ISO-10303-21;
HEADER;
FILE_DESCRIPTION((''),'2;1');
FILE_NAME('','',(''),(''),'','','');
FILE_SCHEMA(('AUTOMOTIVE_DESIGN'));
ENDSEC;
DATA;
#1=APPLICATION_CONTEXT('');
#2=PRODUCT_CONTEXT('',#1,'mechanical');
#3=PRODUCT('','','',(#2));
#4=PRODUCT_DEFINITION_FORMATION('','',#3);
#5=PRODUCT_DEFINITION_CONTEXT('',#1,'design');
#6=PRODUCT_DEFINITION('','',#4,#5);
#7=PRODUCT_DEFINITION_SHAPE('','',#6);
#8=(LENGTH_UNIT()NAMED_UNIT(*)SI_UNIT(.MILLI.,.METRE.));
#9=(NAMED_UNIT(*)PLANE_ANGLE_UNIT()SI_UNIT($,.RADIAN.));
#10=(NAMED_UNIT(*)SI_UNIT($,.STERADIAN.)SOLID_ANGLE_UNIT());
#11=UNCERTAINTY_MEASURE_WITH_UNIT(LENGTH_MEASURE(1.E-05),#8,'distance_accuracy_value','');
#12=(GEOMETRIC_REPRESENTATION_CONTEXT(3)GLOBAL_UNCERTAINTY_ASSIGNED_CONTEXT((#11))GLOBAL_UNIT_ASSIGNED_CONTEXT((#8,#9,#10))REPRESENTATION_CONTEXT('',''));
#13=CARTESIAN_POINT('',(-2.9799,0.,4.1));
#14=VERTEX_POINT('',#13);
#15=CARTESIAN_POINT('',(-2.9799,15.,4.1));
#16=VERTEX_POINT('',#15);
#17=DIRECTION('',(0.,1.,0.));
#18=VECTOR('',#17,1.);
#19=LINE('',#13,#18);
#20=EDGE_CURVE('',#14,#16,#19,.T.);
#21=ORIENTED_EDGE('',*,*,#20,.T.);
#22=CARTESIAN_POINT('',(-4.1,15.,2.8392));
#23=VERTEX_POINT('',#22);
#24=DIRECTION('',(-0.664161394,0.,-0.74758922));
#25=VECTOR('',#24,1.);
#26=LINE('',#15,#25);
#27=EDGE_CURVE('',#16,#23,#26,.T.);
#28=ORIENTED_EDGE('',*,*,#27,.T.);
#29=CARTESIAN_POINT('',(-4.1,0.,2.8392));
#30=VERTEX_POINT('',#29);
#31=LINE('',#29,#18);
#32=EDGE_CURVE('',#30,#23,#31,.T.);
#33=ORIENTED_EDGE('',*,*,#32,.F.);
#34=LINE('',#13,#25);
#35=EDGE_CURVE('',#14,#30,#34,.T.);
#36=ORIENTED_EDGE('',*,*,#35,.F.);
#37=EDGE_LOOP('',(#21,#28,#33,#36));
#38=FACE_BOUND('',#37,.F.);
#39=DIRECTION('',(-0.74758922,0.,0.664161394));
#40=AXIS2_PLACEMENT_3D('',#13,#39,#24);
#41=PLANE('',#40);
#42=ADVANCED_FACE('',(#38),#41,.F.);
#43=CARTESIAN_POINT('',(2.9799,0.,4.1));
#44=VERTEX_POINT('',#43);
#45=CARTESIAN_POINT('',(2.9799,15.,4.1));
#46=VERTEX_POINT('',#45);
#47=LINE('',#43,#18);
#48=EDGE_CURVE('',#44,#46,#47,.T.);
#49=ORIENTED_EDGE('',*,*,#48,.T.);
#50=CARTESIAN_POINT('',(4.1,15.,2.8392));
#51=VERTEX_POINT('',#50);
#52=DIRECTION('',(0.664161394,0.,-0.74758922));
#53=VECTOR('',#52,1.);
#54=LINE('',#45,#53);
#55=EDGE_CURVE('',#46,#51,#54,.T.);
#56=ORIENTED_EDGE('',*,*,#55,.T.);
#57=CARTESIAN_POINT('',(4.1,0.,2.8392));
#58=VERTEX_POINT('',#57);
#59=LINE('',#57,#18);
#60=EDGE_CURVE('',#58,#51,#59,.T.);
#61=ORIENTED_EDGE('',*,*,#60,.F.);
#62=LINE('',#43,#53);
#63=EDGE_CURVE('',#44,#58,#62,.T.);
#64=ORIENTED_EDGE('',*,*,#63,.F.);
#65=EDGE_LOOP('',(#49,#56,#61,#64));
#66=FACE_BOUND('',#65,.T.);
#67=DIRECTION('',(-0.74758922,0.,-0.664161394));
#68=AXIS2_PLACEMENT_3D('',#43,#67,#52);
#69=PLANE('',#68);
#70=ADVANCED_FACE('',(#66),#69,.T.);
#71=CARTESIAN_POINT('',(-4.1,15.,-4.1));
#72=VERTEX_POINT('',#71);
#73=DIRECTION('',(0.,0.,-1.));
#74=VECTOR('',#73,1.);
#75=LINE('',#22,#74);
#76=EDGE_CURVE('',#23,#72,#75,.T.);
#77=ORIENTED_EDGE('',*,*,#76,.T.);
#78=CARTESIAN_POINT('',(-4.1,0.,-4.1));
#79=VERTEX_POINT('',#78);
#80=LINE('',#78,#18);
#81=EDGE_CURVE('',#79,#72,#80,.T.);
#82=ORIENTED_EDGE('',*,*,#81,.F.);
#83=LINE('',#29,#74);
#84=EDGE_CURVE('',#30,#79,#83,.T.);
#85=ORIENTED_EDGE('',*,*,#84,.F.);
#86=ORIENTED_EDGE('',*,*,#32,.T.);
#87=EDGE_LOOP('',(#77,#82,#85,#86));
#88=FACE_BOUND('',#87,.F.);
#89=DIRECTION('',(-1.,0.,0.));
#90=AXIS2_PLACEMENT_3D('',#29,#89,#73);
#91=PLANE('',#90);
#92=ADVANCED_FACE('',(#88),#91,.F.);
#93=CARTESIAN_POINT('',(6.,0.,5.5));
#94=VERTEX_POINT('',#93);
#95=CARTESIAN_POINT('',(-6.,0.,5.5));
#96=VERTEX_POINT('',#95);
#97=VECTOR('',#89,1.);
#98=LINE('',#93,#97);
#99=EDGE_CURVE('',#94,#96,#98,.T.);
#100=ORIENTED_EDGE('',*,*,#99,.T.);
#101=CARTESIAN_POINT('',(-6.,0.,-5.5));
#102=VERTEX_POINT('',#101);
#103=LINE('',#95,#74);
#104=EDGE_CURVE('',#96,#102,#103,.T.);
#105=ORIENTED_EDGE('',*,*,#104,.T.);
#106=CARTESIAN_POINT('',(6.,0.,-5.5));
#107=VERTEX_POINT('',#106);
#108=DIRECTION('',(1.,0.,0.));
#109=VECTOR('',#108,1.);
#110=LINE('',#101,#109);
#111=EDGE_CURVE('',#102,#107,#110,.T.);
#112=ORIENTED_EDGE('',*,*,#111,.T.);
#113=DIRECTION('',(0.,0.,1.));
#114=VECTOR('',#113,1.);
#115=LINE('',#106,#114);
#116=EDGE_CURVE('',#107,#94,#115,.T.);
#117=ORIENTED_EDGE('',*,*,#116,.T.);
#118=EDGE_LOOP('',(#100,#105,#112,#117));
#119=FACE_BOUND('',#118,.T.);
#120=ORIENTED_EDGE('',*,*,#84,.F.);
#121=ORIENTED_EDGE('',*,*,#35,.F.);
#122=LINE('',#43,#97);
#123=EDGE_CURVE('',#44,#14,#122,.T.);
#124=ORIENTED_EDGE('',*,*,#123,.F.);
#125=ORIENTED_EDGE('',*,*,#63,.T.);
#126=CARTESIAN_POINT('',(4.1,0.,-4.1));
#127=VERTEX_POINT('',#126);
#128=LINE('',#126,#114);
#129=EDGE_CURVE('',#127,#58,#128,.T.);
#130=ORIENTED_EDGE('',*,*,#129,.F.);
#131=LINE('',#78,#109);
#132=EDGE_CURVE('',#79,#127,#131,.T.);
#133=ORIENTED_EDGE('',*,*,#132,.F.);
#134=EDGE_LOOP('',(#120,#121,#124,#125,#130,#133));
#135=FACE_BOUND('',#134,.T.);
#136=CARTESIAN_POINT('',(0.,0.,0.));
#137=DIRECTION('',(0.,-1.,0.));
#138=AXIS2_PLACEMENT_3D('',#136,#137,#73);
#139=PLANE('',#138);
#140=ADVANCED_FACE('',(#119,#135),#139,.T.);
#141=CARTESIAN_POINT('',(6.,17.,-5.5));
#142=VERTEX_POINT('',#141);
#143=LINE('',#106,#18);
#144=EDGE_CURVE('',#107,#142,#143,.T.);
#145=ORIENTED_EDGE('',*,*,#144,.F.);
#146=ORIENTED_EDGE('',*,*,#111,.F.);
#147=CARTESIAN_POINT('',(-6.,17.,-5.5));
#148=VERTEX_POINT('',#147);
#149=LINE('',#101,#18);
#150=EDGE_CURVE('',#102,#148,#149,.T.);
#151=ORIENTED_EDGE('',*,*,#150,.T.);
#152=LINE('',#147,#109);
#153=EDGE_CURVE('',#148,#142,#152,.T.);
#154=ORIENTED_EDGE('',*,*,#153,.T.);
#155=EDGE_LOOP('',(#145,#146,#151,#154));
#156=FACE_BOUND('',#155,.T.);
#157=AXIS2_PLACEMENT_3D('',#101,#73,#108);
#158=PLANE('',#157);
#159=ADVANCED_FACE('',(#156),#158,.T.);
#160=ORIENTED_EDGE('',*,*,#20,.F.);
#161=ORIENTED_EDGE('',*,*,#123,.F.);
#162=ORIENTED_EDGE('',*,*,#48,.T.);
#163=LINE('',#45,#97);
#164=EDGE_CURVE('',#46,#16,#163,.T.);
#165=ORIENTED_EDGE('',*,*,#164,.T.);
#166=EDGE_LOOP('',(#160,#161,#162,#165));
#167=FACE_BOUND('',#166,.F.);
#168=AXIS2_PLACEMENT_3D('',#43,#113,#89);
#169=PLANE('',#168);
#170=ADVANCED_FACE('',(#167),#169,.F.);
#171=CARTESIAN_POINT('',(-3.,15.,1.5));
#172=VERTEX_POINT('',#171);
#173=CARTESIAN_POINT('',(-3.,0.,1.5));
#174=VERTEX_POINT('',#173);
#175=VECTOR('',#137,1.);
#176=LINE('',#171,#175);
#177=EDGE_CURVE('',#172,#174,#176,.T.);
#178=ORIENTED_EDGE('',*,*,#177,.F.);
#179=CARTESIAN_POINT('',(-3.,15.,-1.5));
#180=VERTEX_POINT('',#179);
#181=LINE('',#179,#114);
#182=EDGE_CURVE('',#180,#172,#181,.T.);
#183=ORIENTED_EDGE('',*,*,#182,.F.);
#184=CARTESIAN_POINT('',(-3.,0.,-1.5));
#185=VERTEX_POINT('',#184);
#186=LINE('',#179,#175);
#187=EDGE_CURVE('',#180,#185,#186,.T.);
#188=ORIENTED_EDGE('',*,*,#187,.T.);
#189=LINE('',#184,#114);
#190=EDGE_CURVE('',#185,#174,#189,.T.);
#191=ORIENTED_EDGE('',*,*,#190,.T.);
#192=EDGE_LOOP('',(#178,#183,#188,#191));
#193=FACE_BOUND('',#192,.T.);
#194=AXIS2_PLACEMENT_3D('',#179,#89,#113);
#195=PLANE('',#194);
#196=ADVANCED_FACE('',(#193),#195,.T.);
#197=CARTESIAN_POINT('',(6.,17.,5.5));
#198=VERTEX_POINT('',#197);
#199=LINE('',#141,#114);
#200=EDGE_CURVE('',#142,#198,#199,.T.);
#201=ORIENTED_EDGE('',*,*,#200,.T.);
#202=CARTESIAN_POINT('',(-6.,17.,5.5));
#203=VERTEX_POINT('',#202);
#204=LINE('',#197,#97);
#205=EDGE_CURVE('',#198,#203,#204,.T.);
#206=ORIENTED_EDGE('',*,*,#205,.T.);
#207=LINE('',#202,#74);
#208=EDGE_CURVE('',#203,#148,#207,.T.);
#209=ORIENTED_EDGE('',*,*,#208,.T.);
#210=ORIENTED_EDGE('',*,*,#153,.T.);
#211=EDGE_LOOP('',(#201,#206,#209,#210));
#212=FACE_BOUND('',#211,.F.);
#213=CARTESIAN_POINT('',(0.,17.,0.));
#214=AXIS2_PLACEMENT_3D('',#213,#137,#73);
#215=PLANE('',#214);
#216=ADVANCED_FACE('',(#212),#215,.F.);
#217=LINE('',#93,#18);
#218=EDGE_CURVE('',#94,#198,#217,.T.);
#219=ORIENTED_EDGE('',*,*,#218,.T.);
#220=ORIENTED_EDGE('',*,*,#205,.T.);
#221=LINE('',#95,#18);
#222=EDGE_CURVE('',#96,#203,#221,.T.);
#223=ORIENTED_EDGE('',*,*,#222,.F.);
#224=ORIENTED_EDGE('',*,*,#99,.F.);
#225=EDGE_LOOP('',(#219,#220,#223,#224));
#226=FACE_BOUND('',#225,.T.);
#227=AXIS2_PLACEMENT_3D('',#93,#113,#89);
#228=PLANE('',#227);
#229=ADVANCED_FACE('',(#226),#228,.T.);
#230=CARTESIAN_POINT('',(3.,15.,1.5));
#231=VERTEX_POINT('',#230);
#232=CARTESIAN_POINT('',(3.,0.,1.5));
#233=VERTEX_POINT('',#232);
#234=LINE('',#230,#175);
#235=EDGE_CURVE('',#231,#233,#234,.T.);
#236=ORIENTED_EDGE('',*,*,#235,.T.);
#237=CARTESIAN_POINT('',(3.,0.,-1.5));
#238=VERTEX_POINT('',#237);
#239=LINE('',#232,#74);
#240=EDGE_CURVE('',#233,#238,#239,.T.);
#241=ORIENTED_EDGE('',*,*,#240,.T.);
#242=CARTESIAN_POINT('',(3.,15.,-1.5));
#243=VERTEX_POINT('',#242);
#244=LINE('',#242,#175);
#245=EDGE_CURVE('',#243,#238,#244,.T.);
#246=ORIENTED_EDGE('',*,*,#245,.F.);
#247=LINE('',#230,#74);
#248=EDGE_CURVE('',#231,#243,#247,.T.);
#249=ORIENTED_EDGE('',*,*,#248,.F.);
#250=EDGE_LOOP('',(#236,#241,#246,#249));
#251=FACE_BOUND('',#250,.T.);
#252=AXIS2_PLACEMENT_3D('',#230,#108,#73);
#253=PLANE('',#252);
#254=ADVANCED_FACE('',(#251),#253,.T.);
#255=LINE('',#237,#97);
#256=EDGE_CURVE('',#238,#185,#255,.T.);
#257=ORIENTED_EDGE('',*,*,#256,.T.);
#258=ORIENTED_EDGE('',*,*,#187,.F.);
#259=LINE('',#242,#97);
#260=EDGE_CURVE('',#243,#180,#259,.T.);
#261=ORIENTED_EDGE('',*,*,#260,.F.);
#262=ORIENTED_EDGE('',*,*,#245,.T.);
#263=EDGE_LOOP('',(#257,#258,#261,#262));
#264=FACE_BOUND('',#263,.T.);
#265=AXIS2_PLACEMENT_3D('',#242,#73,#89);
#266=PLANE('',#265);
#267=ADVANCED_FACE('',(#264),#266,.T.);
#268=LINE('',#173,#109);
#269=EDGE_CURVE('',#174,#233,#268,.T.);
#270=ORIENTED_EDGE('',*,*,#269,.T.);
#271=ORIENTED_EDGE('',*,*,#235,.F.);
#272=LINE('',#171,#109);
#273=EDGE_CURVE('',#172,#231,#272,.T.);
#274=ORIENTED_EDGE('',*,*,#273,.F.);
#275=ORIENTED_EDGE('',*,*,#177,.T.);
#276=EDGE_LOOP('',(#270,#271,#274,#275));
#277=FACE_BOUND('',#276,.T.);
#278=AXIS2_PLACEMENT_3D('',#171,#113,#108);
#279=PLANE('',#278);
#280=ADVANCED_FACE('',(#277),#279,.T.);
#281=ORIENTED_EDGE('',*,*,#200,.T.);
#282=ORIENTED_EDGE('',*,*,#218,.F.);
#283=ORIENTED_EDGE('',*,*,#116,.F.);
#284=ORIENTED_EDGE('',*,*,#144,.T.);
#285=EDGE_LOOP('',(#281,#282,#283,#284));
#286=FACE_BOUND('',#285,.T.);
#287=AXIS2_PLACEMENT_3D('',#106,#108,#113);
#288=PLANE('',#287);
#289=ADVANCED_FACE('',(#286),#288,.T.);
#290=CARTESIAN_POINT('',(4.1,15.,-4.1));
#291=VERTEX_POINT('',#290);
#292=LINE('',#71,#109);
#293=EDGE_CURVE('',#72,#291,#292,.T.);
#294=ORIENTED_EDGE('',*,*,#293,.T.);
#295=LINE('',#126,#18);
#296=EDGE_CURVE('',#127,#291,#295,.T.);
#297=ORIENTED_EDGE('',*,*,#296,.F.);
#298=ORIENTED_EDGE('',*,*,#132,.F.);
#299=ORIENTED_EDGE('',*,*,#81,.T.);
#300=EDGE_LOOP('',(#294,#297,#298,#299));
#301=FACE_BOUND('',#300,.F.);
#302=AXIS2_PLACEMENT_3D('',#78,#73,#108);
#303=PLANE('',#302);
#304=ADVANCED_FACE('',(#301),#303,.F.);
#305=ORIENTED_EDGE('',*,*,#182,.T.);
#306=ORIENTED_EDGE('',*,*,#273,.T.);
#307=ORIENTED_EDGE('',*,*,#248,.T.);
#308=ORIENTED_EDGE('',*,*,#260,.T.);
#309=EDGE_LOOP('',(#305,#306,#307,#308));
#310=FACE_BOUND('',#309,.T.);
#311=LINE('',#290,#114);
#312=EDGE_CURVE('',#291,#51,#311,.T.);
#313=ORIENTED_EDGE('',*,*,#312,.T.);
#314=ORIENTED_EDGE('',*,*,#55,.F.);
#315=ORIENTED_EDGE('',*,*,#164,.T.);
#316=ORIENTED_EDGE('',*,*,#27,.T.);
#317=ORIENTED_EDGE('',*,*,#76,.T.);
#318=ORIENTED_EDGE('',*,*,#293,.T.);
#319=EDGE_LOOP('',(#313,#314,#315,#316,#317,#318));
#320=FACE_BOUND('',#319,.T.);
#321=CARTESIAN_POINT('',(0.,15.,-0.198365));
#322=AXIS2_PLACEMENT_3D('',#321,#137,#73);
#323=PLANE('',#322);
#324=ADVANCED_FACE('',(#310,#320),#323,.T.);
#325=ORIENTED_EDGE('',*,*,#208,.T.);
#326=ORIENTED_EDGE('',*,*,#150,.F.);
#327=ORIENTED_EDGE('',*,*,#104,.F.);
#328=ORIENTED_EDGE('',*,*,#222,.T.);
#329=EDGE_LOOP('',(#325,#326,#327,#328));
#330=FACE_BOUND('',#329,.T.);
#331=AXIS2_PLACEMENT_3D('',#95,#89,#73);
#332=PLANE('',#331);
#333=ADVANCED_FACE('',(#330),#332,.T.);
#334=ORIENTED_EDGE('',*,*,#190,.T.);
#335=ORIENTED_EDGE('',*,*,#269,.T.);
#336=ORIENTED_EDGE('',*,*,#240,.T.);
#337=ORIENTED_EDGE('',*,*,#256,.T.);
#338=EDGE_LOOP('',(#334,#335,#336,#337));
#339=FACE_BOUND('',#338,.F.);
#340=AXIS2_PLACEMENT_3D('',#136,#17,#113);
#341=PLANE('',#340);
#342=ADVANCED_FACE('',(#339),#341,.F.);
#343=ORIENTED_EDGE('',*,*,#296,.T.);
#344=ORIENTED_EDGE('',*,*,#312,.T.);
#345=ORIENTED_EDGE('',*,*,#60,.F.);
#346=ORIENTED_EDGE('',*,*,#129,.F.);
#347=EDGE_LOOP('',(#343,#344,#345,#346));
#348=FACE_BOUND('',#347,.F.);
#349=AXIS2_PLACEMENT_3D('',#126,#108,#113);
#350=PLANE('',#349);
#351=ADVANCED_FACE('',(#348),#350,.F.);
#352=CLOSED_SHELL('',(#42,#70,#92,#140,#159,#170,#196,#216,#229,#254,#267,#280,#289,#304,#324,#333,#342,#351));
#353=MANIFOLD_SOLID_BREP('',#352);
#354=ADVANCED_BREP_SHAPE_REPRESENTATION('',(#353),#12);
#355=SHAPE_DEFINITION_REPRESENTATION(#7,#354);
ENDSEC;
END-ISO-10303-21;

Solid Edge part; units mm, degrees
sketch "Sketch1" plane through (0, 0, 0) normal (0, -1, 0) x (1, 0, 0)
  line L0 (-6, -5.5) -> (6, -5.5)
  line L1 (6, -5.5) -> (6, 5.5)
  line L2 (6, 5.5) -> (-6, 5.5)
  line L3 (-6, 5.5) -> (-6, -5.5)
  dimension "D1" = 12
  dimension "D2" = 11
extrude "Protrusion1" add sketch "Sketch1" against normal blind 17
sketch "Sketch2" plane through (0, 0, 0) normal (0, -1, 0) x (1, 0, 0)
  line L0 (-4.1, -4.1) -> (4.1, -4.1)
  line L1 (4.1, -4.1) -> (4.1, 2.8392)
  line L2 (2.9799, 4.1) -> (4.1, 2.8392)
  line L3 (2.9799, 4.1) -> (-2.9799, 4.1)
  line L4 (-2.9799, 4.1) -> (-4.1, 2.8392)
  line L5 (-4.1, 2.8392) -> (-4.1, -4.1)
  dimension "D1" = 5.9598
  dimension "D2" = 6.9392
extrude "ExtrudedCutout_1" cut sketch "Sketch2" against normal blind 15
sketch "Sketch3" plane through (0, 15, 0) normal (0, -1, 0) x (1, 0, 0)
  line L0 (-3, 1.5) -> (3, 1.5)
  line L1 (3, 1.5) -> (3, -1.5)
  line L2 (3, -1.5) -> (-3, -1.5)
  line L3 (-3, -1.5) -> (-3, 1.5)
  dimension "D1" = 3
  dimension "D2" = 6
extrude "Protrusion2" add sketch "Sketch3" along normal up to vertex (15 mm away)
properties material "Stainless steel"
